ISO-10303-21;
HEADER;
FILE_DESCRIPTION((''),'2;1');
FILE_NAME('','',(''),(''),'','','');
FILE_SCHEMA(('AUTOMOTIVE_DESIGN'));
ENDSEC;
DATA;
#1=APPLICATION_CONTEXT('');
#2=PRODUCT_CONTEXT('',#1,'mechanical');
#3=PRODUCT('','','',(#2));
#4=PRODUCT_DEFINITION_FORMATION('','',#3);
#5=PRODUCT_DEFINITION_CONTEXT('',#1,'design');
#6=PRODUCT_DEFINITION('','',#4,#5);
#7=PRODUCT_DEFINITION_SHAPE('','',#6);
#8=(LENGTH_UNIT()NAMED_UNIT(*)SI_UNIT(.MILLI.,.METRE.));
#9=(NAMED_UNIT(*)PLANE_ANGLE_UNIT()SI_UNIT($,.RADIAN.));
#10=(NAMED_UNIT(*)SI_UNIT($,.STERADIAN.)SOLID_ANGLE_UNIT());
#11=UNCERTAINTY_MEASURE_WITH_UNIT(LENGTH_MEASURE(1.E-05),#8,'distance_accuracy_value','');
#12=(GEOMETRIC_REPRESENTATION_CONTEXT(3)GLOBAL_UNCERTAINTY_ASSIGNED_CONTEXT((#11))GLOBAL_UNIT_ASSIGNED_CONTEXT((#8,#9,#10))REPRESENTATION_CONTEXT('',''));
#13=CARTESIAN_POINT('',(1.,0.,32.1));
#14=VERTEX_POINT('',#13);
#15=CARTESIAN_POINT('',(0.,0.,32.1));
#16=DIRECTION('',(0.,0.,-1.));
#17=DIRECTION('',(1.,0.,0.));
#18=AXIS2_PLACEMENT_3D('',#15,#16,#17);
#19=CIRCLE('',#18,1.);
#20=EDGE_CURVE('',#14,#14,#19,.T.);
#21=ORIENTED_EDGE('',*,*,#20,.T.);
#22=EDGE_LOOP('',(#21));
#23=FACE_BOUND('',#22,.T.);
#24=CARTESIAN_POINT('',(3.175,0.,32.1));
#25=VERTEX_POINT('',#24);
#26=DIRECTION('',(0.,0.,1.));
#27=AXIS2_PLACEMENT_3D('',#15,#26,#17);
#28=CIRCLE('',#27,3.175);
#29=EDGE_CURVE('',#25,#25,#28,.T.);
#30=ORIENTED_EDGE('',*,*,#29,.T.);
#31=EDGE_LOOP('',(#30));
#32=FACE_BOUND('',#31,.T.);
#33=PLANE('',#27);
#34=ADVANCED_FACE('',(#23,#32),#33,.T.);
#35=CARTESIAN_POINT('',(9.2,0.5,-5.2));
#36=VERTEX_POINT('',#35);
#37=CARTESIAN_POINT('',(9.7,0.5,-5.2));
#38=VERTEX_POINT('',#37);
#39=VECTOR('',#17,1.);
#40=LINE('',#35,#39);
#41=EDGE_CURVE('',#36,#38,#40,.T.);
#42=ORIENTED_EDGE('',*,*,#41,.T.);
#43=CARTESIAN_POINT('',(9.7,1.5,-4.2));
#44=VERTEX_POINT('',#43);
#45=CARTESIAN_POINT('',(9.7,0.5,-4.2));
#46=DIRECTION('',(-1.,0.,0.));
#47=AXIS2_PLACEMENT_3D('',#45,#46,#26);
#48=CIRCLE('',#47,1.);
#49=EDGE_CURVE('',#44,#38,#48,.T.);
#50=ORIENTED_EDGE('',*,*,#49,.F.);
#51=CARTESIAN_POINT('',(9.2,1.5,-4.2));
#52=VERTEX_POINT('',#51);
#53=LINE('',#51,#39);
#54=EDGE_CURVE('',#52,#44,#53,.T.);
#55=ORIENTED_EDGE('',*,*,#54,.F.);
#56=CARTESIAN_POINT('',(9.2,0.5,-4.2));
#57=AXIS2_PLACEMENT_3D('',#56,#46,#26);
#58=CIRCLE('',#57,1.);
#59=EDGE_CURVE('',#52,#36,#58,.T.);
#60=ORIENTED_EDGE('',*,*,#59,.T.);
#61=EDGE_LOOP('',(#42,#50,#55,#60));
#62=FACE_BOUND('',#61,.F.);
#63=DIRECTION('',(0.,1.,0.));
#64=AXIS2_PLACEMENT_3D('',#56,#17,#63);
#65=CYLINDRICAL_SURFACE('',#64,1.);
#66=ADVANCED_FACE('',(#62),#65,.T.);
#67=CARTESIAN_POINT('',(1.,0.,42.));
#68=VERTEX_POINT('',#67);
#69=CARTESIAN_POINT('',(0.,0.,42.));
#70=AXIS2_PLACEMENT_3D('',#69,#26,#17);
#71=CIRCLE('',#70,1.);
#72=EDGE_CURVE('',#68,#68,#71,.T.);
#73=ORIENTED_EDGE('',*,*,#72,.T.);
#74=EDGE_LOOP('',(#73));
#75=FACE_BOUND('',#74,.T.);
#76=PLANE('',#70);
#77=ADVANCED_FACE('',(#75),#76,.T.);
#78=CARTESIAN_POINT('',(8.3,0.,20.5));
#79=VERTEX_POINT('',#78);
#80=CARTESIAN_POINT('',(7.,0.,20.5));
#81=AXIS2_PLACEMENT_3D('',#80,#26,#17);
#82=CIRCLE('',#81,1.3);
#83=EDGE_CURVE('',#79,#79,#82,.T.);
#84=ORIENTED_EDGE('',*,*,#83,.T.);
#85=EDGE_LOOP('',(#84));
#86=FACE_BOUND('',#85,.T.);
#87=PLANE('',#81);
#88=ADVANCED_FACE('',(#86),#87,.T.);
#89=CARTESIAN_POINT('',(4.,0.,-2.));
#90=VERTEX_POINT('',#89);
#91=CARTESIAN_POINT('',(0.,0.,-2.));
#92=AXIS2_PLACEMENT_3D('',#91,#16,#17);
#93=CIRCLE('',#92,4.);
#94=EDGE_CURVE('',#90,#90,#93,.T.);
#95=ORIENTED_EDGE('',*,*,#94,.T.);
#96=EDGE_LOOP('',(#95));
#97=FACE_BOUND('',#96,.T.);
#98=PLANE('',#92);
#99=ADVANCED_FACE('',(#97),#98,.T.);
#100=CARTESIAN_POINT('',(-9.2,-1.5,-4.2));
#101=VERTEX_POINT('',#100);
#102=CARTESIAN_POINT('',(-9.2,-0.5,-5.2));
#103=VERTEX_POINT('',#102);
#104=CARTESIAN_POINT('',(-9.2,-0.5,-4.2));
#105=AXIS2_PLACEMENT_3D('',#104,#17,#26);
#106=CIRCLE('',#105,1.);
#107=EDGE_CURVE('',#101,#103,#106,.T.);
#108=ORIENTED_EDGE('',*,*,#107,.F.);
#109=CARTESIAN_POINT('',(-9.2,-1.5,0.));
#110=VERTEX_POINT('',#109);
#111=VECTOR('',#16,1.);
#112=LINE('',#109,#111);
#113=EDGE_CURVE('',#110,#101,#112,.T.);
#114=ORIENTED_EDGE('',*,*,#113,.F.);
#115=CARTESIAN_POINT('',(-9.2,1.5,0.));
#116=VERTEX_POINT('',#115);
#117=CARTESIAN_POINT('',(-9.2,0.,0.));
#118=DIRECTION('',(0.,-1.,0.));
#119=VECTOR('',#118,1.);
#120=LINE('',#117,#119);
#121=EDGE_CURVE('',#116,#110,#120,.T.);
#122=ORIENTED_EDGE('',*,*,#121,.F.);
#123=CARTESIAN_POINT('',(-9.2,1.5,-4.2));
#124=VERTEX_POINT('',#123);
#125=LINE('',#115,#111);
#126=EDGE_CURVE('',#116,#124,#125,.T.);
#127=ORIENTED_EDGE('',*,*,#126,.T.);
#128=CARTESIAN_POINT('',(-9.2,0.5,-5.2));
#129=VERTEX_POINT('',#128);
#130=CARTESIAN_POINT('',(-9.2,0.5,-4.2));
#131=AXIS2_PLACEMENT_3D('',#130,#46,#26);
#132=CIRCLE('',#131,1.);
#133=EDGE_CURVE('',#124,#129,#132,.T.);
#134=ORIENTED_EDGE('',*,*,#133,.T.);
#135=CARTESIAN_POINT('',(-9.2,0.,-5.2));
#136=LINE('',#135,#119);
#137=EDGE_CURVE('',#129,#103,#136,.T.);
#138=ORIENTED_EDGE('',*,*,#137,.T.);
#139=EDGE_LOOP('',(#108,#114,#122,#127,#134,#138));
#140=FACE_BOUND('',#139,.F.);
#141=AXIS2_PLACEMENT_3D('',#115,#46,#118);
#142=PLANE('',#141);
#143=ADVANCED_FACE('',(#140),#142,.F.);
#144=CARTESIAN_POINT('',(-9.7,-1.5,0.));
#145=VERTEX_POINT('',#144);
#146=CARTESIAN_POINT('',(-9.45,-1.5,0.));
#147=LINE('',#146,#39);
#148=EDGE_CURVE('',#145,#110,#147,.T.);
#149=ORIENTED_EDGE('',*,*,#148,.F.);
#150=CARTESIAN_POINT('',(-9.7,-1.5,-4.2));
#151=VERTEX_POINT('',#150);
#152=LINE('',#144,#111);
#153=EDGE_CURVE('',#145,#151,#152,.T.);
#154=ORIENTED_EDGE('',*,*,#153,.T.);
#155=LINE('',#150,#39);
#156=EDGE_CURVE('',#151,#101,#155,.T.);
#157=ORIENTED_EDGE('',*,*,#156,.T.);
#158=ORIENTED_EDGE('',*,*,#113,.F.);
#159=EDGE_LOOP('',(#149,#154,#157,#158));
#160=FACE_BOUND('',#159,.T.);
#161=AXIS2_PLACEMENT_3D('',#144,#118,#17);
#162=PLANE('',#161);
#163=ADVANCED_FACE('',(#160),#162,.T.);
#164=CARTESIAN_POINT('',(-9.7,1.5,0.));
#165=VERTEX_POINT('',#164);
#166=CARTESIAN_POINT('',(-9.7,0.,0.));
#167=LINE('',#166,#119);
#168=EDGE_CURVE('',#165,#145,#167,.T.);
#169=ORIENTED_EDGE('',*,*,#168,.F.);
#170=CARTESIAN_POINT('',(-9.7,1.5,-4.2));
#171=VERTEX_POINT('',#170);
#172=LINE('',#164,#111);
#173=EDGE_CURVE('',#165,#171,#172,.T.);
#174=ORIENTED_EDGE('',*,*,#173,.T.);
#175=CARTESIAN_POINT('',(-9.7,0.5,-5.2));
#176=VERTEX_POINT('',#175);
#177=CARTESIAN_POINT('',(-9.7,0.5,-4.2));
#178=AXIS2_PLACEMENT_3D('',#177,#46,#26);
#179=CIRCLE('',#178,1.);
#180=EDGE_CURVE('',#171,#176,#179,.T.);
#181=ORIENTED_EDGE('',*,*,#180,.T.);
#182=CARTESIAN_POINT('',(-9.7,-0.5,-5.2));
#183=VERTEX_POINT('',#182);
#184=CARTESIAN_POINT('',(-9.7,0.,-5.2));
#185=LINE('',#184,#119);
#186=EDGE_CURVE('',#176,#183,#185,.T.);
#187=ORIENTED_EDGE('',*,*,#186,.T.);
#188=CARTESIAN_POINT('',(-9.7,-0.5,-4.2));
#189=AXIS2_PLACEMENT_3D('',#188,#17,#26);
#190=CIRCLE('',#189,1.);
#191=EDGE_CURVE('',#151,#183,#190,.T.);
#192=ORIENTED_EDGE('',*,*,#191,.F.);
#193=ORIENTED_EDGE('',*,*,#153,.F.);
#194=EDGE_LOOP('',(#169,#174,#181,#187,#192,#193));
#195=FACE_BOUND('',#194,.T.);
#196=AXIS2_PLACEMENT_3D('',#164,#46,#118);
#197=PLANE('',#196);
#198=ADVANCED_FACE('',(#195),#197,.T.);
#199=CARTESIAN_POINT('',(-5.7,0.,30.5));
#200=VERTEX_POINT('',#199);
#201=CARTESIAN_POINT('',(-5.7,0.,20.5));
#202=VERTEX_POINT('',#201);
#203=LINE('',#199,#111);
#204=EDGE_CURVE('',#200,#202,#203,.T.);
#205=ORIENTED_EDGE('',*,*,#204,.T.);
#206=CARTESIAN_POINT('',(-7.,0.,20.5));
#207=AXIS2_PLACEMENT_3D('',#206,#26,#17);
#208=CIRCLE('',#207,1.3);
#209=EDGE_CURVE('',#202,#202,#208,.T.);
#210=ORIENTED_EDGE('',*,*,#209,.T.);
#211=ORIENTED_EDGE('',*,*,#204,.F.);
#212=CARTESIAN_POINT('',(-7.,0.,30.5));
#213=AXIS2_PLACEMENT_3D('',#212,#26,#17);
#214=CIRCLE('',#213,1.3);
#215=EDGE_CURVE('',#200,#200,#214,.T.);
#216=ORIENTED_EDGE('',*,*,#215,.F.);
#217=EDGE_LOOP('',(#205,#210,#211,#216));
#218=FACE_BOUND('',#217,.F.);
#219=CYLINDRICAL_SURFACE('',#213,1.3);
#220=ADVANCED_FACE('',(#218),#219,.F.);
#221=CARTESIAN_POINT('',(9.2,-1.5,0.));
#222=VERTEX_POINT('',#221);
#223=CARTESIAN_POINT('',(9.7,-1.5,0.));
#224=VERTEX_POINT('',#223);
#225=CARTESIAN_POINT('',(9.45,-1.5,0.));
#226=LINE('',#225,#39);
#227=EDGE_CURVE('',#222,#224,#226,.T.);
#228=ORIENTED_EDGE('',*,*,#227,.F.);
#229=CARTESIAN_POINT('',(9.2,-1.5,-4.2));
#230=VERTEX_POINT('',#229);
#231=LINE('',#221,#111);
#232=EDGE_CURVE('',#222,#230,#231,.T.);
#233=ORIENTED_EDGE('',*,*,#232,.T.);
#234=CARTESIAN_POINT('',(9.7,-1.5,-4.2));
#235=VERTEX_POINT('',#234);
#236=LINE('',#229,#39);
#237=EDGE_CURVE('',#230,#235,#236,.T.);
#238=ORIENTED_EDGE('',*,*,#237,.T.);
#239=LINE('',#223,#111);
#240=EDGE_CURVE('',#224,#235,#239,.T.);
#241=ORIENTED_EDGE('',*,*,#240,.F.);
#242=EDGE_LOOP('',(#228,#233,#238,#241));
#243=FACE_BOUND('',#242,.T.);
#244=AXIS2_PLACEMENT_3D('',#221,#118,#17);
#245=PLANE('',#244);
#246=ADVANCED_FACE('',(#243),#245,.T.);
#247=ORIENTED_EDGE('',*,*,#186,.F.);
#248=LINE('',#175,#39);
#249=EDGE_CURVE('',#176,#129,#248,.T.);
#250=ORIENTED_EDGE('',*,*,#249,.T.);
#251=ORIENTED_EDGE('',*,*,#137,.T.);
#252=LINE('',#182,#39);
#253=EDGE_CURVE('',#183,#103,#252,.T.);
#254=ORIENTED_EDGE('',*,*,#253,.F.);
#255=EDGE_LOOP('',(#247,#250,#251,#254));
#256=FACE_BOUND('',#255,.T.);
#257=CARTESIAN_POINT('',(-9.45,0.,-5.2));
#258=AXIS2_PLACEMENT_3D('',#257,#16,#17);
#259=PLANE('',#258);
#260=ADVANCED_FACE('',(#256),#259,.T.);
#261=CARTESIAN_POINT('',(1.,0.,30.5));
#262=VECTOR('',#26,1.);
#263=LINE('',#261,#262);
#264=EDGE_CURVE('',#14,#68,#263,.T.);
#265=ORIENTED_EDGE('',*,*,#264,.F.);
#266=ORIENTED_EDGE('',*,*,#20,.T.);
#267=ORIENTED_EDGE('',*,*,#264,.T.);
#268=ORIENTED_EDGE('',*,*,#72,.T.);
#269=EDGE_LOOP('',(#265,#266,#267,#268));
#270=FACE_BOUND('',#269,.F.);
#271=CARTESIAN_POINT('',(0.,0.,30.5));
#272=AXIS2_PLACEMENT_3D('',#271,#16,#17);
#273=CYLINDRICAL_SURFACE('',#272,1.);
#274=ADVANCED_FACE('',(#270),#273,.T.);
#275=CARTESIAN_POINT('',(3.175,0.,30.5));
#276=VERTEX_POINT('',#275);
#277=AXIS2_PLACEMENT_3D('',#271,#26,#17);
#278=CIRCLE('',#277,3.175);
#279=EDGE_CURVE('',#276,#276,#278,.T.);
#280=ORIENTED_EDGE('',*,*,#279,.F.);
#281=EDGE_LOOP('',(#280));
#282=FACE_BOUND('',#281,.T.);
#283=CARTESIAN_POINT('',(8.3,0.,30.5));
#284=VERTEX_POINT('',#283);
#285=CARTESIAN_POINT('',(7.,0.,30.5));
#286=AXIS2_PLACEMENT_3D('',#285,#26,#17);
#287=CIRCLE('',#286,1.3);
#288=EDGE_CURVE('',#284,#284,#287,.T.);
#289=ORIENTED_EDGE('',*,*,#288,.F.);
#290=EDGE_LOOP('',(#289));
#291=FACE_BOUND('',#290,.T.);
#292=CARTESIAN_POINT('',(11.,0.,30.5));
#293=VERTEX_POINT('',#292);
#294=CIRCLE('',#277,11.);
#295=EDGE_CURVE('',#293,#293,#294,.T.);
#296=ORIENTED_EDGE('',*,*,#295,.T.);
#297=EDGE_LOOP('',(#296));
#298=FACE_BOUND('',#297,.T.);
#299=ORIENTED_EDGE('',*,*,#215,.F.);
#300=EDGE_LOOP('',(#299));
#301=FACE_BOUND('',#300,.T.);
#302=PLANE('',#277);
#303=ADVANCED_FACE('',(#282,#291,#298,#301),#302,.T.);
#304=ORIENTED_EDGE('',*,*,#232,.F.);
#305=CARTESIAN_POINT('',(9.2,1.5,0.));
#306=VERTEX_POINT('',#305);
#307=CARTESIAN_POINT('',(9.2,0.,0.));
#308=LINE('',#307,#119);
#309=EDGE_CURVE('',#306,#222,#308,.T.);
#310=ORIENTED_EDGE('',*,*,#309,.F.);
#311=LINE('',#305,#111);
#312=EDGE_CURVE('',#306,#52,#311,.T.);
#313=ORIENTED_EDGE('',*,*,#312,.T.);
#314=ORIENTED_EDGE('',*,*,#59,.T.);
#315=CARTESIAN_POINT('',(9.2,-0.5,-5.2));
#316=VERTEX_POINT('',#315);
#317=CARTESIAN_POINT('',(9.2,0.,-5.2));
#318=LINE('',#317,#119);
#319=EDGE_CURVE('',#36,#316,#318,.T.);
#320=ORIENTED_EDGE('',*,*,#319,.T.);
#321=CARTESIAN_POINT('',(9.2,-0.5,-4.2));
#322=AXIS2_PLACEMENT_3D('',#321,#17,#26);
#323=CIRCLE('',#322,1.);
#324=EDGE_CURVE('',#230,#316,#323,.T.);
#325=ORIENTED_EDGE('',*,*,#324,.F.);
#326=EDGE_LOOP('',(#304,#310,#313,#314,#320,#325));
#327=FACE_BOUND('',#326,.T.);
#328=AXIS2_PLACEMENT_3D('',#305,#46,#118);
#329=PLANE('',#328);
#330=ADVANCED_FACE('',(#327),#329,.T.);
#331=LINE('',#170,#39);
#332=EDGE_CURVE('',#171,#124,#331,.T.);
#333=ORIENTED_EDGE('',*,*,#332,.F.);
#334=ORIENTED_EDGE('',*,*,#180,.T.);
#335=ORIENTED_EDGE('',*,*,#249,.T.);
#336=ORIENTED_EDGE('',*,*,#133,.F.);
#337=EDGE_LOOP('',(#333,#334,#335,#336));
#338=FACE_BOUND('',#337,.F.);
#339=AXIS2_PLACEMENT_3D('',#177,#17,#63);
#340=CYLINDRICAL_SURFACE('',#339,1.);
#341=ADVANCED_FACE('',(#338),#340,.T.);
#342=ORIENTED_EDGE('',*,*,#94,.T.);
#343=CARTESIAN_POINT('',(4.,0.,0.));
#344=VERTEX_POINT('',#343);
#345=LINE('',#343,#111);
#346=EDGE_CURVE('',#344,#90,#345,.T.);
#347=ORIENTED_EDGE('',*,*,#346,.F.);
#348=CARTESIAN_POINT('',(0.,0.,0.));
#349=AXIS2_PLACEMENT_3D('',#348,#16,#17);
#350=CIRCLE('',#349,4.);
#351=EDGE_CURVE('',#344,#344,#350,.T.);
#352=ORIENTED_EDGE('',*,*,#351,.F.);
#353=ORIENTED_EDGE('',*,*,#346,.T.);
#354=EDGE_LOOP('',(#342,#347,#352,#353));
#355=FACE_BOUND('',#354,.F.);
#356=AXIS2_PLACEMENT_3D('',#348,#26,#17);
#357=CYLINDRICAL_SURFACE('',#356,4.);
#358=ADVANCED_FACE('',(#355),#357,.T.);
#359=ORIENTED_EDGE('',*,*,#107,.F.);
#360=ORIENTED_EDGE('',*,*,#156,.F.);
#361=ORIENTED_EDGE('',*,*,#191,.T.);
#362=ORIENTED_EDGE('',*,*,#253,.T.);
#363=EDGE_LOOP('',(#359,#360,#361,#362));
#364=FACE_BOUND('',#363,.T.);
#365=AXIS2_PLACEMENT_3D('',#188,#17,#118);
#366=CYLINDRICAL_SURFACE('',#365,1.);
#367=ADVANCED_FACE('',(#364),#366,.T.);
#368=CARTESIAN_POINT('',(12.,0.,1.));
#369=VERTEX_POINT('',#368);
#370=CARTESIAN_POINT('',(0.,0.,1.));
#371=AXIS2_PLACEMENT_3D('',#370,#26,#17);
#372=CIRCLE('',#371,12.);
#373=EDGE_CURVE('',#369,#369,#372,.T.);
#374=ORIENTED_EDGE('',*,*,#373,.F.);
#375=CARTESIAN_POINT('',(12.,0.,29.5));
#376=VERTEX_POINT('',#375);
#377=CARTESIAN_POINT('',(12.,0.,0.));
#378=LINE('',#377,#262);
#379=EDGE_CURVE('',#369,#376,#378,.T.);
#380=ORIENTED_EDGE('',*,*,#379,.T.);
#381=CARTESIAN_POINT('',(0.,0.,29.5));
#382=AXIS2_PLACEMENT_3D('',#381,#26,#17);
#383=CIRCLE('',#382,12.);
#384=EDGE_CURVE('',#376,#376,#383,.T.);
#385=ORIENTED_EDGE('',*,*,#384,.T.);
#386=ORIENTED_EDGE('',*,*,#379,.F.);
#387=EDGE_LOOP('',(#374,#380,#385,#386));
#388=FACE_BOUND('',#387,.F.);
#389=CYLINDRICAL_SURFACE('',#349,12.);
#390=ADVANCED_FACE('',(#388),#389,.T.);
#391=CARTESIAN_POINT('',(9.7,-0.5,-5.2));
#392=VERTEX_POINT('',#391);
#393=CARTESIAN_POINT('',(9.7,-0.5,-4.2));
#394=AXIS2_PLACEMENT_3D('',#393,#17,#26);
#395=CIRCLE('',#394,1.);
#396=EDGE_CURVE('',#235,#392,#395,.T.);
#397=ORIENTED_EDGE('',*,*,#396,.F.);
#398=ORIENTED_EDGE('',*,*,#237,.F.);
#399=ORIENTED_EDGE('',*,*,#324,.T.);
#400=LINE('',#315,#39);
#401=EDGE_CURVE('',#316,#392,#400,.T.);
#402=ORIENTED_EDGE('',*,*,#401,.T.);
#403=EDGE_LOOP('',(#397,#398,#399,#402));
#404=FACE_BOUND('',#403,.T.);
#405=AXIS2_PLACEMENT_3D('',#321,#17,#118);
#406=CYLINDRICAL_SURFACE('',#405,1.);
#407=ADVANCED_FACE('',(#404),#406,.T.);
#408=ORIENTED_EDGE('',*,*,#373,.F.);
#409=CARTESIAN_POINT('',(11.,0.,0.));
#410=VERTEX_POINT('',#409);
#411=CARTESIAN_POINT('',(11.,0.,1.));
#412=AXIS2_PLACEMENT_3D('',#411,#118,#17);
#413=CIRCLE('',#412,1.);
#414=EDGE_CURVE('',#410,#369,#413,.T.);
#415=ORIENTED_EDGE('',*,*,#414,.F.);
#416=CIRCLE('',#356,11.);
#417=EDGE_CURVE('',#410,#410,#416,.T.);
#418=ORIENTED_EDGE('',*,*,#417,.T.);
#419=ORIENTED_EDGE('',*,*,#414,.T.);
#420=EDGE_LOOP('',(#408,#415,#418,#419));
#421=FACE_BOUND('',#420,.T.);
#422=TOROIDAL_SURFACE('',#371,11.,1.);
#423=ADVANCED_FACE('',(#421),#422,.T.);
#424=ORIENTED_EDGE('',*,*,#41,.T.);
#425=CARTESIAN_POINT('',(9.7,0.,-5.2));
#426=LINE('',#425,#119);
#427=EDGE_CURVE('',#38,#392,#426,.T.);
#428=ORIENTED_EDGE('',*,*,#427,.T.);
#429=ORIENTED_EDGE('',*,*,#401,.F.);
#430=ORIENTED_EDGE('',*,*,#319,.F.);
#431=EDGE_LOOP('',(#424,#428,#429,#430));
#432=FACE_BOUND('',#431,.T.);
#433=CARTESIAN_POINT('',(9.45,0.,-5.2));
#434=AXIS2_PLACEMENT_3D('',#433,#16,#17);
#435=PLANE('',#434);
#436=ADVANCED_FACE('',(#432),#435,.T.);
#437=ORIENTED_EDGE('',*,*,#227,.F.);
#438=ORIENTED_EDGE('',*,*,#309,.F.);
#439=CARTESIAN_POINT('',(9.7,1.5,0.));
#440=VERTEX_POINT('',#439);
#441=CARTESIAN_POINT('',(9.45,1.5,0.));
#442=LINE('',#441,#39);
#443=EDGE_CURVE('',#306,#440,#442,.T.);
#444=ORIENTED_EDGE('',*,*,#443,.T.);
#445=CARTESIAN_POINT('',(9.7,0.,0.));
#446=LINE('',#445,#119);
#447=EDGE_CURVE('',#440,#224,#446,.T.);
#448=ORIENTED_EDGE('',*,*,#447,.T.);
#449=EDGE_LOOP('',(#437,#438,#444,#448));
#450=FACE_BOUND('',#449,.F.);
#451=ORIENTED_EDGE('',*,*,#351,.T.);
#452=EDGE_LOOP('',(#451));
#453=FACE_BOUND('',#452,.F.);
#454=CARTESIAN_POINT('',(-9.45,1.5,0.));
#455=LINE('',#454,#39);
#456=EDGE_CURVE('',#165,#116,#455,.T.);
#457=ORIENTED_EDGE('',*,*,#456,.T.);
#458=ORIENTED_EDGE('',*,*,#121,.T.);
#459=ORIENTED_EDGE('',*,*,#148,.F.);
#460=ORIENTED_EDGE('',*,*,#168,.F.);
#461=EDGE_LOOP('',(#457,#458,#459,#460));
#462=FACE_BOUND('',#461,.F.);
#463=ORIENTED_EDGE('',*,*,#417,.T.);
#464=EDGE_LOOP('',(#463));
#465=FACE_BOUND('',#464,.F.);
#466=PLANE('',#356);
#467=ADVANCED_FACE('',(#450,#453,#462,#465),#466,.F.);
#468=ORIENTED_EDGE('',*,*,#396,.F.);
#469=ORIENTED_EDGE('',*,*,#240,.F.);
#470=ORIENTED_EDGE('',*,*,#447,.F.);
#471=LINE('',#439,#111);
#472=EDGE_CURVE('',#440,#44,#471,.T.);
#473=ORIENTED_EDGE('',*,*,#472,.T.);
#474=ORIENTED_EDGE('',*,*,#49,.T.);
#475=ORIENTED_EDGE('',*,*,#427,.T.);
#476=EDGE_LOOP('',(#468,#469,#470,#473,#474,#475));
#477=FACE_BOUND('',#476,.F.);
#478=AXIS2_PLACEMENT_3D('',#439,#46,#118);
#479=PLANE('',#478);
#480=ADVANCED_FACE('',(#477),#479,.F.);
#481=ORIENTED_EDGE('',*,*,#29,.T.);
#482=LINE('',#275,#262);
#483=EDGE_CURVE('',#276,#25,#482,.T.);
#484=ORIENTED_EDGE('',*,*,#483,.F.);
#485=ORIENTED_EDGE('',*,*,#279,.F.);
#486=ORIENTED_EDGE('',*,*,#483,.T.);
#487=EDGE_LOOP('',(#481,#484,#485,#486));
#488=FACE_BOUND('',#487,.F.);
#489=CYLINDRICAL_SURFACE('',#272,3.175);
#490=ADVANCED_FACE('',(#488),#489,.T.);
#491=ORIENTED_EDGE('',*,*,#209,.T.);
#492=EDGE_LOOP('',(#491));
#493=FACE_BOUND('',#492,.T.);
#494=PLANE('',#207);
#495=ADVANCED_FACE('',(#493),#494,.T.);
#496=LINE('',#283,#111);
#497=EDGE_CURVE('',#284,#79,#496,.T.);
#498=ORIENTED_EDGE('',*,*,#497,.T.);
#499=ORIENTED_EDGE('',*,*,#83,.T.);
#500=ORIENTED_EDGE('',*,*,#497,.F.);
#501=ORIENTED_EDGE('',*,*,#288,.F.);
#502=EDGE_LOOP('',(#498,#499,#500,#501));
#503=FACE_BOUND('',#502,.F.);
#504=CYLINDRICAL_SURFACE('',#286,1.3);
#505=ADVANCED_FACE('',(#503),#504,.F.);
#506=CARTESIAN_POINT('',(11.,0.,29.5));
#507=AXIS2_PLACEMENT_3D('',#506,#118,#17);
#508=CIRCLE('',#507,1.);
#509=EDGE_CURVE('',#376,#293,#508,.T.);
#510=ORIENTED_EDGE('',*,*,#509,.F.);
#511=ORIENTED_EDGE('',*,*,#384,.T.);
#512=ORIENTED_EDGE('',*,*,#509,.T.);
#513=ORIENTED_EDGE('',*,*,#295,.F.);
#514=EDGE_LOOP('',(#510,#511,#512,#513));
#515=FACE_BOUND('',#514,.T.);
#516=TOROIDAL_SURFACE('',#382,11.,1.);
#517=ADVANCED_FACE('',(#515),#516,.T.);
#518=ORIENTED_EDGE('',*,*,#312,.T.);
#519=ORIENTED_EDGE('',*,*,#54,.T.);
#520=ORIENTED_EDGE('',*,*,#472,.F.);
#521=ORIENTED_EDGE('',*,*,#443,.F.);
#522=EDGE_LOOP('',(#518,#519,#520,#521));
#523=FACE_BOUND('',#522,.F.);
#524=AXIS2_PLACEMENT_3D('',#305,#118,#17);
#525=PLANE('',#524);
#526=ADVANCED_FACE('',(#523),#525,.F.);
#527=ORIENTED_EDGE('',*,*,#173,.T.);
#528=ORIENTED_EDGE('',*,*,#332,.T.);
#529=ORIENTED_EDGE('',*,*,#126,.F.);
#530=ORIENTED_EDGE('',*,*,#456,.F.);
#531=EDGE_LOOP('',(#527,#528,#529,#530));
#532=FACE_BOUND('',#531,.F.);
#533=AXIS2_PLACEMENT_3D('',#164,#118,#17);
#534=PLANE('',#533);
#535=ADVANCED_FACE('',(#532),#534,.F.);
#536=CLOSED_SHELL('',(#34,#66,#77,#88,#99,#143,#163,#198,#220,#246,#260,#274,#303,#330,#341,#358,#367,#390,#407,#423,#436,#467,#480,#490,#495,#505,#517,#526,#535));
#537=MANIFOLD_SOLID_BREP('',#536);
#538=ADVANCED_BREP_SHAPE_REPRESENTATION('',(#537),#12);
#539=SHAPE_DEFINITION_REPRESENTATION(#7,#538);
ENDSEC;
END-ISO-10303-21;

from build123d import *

# Parameters (mm, degrees)
F0_R      = 12
F1_DEPTH  = 30.5
F2_R      = 1
F3_DEPTH  = 11.5
F4_R      = 3.175
F5_DEPTH  = 1.6
F6_R      = 1.3
F7_DEPTH  = 10
F8_R      = 4
F9_DEPTH  = 2
F10_W     = 0.5
F10_H     = 3
F11_DEPTH = 5.2
F12_R     = 1
F13_R     = 1
F14_R     = 1


with BuildPart() as f1:
    # F0 (on Top) → F1 (new body)
    with BuildSketch(Plane.XY):
        Circle(F0_R)
    extrude(amount=F1_DEPTH)

    # F2 (on face) → F3 (join)
    with BuildSketch(Plane.XY.offset(30.5)):
        Circle(F2_R)
    extrude(amount=F3_DEPTH)

    # F4 (on face) → F5 (join)
    with BuildSketch(Plane.XY.offset(30.5)):
        Circle(F4_R)
    extrude(amount=F5_DEPTH)

    # F6 (on face) → F7 (cut)
    with BuildSketch(Plane.XY.offset(30.5)):
        with Locations((-7, 0)):
            Circle(F6_R)
        with Locations((7, 0)):
            Circle(F6_R)
    extrude(amount=-F7_DEPTH, mode=Mode.SUBTRACT)

    # F8 (on face) → F9 (join)
    with BuildSketch(Plane(origin=(0, 0, 0), x_dir=(1, 0, 0), z_dir=(0, 0, -1))):
        Circle(F8_R)
    extrude(amount=F9_DEPTH)

    # F10 (on face) → F11 (join)
    with BuildSketch(Plane(origin=(0, 0, 0), x_dir=(1, 0, 0), z_dir=(0, 0, -1))):
        with Locations((-9.45, 0)):
            Rectangle(F10_W, F10_H)
        with Locations((9.45, 0)):
            Rectangle(F10_W, F10_H)
    extrude(amount=F11_DEPTH)

    # F12
    f12_edges = [f1.edges().sort_by_distance(p)[0] for p in [
        (-9.45, 1.5, -5.2),
        (-9.45, -1.5, -5.2),
        (9.45, 1.5, -5.2),
        (9.45, -1.5, -5.2),
    ]]
    fillet(f12_edges, radius=F12_R)

    # F13
    f13_edges = [f1.edges().sort_by_distance(p)[0] for p in [
        (-12, 0, 0),
    ]]
    fillet(f13_edges, radius=F13_R)

    # F14
    f14_edges = [f1.edges().sort_by_distance(p)[0] for p in [
        (-12, 0, 30.5),
    ]]
    fillet(f14_edges, radius=F14_R)


solid = f1.part
